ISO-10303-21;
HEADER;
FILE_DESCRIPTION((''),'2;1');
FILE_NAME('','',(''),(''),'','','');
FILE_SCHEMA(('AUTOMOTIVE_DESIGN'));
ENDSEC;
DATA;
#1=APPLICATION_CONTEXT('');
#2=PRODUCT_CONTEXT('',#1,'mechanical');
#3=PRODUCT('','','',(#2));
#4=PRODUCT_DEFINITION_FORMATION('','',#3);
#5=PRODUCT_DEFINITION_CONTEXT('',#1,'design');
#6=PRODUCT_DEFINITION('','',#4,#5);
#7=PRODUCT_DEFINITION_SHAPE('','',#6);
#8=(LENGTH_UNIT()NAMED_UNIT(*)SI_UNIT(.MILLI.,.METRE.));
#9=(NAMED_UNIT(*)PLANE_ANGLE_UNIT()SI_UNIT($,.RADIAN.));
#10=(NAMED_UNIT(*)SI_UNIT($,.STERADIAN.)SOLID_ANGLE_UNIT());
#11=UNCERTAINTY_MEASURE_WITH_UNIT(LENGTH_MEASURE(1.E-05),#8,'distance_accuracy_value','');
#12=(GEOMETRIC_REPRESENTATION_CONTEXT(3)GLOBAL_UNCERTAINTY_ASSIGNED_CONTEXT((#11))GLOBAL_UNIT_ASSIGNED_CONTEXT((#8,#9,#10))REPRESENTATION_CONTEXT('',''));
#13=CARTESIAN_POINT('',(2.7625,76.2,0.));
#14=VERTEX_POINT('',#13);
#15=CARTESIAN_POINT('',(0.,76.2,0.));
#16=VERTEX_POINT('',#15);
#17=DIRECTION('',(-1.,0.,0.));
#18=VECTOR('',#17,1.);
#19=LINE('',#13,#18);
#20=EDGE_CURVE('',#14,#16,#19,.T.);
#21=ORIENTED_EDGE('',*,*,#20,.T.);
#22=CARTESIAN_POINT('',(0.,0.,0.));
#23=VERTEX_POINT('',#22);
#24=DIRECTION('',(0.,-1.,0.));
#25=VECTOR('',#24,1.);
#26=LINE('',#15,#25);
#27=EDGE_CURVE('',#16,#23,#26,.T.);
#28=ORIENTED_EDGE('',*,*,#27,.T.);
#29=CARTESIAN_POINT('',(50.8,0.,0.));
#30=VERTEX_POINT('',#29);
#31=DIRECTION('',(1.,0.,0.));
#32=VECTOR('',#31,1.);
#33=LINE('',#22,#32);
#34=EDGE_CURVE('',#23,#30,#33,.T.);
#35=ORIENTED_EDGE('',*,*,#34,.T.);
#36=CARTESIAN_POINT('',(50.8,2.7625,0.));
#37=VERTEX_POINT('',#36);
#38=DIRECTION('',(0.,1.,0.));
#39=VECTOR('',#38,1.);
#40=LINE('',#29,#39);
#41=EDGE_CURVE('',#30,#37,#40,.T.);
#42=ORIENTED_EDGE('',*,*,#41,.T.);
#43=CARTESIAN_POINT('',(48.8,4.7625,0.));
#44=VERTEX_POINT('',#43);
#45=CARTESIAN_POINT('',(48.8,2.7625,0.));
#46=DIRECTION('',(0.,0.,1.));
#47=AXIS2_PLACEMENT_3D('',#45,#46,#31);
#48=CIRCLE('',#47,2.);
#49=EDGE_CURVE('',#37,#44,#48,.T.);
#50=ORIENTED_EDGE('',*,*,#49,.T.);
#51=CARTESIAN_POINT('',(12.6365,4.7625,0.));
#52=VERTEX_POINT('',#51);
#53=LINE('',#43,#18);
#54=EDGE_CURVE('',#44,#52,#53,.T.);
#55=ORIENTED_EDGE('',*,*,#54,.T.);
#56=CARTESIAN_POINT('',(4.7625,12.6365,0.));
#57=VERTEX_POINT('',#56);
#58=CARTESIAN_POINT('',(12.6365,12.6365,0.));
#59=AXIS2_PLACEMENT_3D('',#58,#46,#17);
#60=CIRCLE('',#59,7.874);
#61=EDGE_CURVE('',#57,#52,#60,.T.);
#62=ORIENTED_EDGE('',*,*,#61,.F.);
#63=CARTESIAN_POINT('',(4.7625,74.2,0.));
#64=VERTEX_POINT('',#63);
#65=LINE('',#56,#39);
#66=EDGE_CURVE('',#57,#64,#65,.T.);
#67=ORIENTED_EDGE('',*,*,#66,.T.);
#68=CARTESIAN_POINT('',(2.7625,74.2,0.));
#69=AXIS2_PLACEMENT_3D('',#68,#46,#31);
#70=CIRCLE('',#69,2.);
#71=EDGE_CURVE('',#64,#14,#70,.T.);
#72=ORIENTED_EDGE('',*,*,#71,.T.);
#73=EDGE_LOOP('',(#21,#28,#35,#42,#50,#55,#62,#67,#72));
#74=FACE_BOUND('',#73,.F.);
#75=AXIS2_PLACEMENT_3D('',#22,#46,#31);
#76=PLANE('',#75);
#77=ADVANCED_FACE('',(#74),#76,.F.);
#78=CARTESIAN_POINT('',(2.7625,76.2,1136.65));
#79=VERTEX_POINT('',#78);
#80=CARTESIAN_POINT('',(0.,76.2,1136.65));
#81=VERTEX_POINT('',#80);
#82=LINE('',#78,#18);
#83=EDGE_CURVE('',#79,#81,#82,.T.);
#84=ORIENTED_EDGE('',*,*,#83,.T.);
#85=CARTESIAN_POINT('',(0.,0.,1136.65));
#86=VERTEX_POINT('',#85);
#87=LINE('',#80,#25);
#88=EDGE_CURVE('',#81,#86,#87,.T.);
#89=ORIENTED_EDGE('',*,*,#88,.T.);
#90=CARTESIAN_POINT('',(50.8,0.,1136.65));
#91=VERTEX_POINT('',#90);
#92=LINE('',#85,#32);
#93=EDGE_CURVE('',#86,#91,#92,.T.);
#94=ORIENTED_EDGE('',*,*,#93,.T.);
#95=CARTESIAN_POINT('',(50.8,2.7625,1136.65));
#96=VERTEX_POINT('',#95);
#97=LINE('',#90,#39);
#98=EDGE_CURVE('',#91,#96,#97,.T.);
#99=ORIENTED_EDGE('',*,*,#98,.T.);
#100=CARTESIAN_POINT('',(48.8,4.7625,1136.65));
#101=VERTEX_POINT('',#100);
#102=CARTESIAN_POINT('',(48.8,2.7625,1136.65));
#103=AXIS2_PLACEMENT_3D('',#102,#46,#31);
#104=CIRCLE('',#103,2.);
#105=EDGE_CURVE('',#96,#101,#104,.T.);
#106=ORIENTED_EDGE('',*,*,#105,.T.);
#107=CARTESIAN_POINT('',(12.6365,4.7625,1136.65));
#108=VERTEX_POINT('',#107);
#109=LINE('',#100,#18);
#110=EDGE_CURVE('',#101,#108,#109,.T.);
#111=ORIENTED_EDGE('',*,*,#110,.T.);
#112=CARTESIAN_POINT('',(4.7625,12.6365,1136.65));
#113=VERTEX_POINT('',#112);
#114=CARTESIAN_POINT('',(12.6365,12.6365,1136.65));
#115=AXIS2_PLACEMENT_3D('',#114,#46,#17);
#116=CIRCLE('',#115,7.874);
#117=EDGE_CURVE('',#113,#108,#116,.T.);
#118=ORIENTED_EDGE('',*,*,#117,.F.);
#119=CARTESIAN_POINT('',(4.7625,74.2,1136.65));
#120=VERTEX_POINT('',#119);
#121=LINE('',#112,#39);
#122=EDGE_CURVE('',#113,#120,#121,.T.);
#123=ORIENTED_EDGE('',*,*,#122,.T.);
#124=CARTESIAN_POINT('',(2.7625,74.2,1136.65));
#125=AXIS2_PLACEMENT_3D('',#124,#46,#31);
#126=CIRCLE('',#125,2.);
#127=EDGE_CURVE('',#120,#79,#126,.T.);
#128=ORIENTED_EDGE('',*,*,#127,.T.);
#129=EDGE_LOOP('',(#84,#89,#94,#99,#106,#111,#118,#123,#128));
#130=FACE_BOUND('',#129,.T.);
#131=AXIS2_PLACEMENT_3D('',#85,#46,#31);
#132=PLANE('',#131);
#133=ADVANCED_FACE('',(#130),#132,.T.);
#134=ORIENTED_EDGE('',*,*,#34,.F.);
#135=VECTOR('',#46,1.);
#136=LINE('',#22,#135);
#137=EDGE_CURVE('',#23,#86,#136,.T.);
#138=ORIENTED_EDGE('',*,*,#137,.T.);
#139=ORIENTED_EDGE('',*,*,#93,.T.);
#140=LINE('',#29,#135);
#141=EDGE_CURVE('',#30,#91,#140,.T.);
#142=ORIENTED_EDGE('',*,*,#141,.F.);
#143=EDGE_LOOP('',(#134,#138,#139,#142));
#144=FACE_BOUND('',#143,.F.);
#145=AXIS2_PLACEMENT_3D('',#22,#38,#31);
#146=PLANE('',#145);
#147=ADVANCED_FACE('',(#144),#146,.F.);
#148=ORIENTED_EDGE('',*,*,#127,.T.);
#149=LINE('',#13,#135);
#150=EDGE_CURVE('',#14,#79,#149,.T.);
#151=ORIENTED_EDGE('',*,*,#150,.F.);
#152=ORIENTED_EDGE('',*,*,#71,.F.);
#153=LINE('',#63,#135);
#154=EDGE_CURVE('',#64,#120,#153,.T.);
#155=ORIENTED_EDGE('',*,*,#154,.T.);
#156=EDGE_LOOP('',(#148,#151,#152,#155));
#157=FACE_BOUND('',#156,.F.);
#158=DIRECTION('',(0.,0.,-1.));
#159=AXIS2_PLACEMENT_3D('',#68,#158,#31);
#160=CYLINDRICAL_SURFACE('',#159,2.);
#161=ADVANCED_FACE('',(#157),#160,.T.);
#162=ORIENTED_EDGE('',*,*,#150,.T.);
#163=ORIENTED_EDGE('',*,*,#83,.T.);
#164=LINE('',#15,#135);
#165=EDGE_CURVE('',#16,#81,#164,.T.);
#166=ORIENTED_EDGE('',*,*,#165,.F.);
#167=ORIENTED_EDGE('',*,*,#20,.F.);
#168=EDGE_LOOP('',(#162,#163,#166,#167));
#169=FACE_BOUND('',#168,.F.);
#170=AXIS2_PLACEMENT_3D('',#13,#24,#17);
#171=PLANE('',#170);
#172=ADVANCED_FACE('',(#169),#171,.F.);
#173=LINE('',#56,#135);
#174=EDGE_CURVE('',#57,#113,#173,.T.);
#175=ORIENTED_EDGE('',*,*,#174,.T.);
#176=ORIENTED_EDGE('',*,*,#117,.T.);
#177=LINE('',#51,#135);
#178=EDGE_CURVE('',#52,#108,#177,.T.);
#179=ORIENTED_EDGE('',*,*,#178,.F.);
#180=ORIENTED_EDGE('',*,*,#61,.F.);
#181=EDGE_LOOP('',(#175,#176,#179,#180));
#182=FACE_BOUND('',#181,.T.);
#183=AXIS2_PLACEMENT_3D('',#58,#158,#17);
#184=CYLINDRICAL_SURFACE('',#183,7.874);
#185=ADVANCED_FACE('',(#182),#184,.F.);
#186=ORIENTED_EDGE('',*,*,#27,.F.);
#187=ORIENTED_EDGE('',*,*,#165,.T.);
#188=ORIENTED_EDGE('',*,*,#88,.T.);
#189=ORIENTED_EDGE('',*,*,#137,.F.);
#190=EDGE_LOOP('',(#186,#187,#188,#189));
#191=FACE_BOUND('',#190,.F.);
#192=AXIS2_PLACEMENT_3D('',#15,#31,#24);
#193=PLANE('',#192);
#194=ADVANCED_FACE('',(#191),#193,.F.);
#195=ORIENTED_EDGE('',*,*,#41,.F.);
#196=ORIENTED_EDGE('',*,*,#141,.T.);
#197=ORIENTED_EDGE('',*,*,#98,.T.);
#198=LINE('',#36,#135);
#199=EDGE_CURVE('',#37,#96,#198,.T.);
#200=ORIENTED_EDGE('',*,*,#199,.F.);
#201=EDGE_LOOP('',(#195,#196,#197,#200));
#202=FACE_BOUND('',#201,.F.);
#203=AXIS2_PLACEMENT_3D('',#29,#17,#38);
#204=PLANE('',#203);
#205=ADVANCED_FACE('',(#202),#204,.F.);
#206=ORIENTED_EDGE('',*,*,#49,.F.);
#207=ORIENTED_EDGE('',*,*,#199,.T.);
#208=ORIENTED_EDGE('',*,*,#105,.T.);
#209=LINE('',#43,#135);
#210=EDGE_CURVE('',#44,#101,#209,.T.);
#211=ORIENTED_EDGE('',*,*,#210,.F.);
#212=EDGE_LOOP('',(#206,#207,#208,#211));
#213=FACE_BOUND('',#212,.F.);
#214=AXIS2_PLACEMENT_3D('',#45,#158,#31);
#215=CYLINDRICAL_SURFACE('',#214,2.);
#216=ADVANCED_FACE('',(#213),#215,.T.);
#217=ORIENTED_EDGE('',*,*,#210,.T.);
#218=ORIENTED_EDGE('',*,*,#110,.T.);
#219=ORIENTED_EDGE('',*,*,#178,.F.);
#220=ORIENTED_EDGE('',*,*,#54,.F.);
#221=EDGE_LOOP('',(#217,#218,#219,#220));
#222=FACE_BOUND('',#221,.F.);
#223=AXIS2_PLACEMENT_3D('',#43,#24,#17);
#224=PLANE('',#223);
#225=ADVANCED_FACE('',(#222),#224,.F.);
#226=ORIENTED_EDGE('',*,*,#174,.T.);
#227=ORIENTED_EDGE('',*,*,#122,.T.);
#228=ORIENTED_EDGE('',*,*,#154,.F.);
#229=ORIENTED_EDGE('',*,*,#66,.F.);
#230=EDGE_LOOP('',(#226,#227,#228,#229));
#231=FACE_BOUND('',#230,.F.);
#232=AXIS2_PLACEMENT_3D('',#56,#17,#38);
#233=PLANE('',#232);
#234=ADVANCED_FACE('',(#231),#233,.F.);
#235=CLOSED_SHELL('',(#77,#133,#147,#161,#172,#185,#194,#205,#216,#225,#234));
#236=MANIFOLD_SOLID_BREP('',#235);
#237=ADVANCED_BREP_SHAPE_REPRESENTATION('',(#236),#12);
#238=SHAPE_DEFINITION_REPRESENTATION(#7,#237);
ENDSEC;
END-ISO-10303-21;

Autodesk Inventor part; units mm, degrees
ref_plane "YZ Plane" through (0, 0, 0) normal (1, 0, 0) x (0, 1, 0)
ref_plane "Start plane" through (0, 0, 0) normal (0, 0, 1) x (1, 0, 0)
ref_plane "End plane" through (0, 0, 1136.65) normal (0, 0, 1) x (1, 0, 0)
sketch "Sketch" plane through (0, 0, 0) normal (0, 0, 1) x (1, 0, 0)
  line L0 (0, 76.2) -> (0, 0)
  line L1 (0, 0) -> (50.8, 0)
  line L2 (50.8, 0) -> (50.8, 2.7625)
  line L3 (48.8, 4.7625) -> (12.6365, 4.7625)
  line L4 (4.7625, 12.6365) -> (4.7625, 74.2)
  line L5 (2.7625, 76.2) -> (0, 76.2)
  line L6 (-7.0414, 0) -> (21.5385, 0) construction
  line L7 (0, -8.0414) -> (0, 34.5385) construction
  arc A0 (4.7625, 12.6365) -> (12.6365, 4.7625) centre (12.6365, 12.6365) ccw
  arc A1 (50.8, 2.7625) -> (48.8, 4.7625) centre (48.8, 2.7625) ccw
  arc A2 (4.7625, 74.2) -> (2.7625, 76.2) centre (2.7625, 74.2) ccw
  line L8 (0, 93.5453) -> (0, -24.9725) construction
  line L9 (-18.6925, 0) -> (62.8653, 0) construction
  point P0 (50.8, 4.7625)
  point P1 (4.7625, 4.7625)
  point P2 (4.7625, 76.2)
  dimension "d12" = 4.7625
  dimension "d13" = 76.2
  dimension "d14" = 50.8
  dimension "d15" = 0
  dimension "d16" = 4.7625
  dimension "d17" = 0
  dimension "d18" = 7.874
  dimension "d19" = 2
extrude "Body" add sketch "Sketch" along normal up to surface (1136.65 mm away) from surface at 0
sketch "Sketch3" plane through (0, 0, 0) normal (0, 0, 1) x (1, 0, 0)
  line L0 (0, 0) -> (10, 0)
ref_plane "Work Plane3" through (0, 0, 0) normal (0, -1, 0) x (1, 0, 0)
sketch "Sketch4" plane through (0, 0, 0) normal (0, -1, 0) x (1, 0, 0)
  line L0 (-2, 0) -> (12, 0)
  line L1 (-2, 1136.65) -> (12, 1136.65)
  dimension "d23" = 1136.65
equation "\"d12\" = G_T"
equation "\"d13\" = G_H"
equation "\"d14\" = G_W"
equation "\"d16\" = G_T"
equation "\"d18\" = G_IR"
equation "\"d4\" = G_L"
equation "\"G_W\" = 50.8"
equation "\"G_H\" = 76.2"
equation "\"G_T\" = 4.7625"
equation "\"G_ER\" = 4.064"
equation "\"G_IR\" = 7.874"
equation "\"G_L\" = d23"
equation "\"ex\" = 0"
equation "\"ey\" = 0"
equation "\"G_OFFSET_START\" = 0"
equation "\"G_OFFSET_END\" = 0"
equation "\"d21\" = G_OFFSET_END + B_L"
equation "\"B_L\" = 1136.65"
properties part number "ANSI L 3 x 2 x 3_16 00000002"
